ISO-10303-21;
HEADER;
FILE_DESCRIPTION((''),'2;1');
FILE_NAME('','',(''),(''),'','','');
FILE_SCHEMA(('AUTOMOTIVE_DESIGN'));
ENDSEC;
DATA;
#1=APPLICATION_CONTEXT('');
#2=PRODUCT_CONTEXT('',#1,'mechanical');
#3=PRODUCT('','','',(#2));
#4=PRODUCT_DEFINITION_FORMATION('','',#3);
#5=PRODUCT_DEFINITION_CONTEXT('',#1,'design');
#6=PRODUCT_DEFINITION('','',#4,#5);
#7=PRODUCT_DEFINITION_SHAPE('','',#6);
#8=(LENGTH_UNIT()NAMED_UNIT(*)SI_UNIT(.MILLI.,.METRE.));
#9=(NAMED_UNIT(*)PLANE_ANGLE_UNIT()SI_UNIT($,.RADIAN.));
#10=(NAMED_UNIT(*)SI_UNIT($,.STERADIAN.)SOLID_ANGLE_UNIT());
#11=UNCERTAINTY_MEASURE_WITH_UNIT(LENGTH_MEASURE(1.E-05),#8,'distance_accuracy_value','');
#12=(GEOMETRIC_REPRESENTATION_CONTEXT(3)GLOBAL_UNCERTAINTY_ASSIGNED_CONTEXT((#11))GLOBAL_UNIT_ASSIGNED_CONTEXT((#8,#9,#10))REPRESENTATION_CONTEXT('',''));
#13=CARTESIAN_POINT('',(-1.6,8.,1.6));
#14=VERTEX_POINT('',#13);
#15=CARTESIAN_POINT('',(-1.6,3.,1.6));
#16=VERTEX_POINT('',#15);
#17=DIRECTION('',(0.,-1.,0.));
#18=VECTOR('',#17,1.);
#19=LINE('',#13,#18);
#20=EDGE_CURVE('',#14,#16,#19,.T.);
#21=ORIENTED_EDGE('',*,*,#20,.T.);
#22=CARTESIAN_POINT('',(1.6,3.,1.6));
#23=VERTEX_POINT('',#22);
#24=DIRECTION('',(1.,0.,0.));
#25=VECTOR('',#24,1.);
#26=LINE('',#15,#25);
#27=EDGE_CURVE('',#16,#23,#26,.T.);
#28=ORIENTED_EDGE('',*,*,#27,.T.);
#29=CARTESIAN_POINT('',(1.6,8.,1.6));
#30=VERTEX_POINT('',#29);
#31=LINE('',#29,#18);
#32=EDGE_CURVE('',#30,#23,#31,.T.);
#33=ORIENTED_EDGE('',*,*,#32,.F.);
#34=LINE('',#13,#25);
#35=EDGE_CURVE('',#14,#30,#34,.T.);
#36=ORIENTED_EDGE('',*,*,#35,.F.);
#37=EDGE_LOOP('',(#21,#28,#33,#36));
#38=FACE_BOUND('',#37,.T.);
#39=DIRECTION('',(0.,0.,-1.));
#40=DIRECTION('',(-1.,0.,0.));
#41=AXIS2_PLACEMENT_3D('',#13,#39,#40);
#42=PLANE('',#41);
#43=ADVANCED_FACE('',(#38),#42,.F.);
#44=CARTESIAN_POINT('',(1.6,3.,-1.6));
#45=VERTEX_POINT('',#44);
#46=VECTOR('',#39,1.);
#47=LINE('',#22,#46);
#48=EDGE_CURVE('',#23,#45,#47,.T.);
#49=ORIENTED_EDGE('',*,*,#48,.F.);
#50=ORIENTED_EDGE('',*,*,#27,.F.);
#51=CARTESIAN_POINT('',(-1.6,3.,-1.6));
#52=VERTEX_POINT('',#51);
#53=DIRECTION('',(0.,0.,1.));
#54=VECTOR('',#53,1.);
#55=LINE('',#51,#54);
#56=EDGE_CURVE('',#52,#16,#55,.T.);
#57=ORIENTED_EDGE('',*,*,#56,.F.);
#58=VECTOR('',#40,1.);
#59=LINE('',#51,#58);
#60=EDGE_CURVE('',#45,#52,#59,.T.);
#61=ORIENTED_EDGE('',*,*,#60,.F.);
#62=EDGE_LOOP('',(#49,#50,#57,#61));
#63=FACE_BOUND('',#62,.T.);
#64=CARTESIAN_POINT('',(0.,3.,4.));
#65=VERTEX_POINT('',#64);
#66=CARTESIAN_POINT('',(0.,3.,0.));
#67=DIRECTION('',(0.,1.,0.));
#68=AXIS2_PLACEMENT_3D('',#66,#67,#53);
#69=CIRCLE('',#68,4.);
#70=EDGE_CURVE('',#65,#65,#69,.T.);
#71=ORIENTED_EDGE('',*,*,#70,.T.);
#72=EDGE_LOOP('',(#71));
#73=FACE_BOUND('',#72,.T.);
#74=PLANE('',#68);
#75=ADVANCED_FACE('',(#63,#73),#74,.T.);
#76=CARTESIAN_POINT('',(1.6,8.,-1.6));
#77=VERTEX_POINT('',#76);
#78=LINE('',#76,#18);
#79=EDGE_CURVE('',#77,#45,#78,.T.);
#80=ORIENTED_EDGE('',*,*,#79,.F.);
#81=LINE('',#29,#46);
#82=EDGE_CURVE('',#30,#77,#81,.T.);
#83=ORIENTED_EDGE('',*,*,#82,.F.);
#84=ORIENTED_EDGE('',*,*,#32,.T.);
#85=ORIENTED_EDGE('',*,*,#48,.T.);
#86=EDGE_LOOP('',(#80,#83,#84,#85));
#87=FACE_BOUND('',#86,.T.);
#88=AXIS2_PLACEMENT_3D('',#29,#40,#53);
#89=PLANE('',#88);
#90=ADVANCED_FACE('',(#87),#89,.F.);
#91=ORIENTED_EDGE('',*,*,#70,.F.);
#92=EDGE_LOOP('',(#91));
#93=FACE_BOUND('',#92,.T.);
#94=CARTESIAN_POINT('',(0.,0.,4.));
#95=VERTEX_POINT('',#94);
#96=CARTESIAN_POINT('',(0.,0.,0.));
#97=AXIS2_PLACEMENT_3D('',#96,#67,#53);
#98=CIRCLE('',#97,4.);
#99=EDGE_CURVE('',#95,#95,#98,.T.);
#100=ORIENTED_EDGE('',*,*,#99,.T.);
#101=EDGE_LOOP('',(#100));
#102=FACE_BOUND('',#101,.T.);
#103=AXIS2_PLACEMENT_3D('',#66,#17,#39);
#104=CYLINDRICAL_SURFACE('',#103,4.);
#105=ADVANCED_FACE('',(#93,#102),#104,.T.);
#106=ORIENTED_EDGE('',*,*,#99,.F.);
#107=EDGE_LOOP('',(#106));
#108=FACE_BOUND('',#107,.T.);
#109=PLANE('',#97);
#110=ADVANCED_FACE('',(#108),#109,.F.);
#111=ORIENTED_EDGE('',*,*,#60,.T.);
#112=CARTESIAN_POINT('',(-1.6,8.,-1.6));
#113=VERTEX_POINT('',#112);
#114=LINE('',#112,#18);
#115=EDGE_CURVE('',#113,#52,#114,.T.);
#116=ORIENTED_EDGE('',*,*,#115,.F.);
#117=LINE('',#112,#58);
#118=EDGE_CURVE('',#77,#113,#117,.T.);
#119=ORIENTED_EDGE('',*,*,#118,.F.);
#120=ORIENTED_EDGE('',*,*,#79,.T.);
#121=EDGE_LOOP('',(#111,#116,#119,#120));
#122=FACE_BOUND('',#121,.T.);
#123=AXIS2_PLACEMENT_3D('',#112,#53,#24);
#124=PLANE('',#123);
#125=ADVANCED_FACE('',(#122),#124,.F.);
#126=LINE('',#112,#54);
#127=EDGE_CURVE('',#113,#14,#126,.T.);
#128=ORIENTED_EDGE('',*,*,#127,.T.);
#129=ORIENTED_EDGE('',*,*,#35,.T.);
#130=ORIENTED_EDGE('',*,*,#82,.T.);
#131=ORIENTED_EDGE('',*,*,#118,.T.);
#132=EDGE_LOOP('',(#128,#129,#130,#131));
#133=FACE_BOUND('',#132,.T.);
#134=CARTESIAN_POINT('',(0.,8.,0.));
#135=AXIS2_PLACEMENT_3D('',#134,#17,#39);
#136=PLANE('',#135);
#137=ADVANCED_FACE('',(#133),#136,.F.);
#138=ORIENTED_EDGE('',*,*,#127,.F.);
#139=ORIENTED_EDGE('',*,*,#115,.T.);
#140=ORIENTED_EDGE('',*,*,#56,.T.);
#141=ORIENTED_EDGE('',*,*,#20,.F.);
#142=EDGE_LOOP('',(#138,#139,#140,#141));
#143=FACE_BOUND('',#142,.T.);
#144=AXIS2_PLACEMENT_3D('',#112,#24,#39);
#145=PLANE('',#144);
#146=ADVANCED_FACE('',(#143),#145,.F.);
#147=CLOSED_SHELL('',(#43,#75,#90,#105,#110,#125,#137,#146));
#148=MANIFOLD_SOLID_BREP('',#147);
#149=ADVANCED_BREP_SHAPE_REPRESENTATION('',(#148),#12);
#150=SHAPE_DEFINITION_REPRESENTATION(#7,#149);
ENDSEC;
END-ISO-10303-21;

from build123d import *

# Parameters (mm, degrees)
SKETCH_1_R      = 4
EXTRUDE_1_DEPTH = 3
SKETCH_2_W      = 3.2
SKETCH_2_H      = 3.2
EXTRUDE_3_DEPTH = 5


with BuildPart() as part:
    # Эскиз1 → Бобышка-Вытянуть1 (new body)
    with BuildSketch(Plane(origin=(0, 0, 0), x_dir=(1, 0, 0), z_dir=(0, 1, 0))):
        with Locations(Location((0, 0, 0), (0, 0, 270))):
            Circle(SKETCH_1_R)
    extrude(amount=EXTRUDE_1_DEPTH)

    # Эскиз2 → Бобышка-Вытянуть3 (add)
    with BuildSketch(Plane(origin=(0, 3, 0), x_dir=(1, 0, 0), z_dir=(0, 1, 0))):
        Rectangle(SKETCH_2_W, SKETCH_2_H)
    extrude(amount=EXTRUDE_3_DEPTH)


solid = part.part
